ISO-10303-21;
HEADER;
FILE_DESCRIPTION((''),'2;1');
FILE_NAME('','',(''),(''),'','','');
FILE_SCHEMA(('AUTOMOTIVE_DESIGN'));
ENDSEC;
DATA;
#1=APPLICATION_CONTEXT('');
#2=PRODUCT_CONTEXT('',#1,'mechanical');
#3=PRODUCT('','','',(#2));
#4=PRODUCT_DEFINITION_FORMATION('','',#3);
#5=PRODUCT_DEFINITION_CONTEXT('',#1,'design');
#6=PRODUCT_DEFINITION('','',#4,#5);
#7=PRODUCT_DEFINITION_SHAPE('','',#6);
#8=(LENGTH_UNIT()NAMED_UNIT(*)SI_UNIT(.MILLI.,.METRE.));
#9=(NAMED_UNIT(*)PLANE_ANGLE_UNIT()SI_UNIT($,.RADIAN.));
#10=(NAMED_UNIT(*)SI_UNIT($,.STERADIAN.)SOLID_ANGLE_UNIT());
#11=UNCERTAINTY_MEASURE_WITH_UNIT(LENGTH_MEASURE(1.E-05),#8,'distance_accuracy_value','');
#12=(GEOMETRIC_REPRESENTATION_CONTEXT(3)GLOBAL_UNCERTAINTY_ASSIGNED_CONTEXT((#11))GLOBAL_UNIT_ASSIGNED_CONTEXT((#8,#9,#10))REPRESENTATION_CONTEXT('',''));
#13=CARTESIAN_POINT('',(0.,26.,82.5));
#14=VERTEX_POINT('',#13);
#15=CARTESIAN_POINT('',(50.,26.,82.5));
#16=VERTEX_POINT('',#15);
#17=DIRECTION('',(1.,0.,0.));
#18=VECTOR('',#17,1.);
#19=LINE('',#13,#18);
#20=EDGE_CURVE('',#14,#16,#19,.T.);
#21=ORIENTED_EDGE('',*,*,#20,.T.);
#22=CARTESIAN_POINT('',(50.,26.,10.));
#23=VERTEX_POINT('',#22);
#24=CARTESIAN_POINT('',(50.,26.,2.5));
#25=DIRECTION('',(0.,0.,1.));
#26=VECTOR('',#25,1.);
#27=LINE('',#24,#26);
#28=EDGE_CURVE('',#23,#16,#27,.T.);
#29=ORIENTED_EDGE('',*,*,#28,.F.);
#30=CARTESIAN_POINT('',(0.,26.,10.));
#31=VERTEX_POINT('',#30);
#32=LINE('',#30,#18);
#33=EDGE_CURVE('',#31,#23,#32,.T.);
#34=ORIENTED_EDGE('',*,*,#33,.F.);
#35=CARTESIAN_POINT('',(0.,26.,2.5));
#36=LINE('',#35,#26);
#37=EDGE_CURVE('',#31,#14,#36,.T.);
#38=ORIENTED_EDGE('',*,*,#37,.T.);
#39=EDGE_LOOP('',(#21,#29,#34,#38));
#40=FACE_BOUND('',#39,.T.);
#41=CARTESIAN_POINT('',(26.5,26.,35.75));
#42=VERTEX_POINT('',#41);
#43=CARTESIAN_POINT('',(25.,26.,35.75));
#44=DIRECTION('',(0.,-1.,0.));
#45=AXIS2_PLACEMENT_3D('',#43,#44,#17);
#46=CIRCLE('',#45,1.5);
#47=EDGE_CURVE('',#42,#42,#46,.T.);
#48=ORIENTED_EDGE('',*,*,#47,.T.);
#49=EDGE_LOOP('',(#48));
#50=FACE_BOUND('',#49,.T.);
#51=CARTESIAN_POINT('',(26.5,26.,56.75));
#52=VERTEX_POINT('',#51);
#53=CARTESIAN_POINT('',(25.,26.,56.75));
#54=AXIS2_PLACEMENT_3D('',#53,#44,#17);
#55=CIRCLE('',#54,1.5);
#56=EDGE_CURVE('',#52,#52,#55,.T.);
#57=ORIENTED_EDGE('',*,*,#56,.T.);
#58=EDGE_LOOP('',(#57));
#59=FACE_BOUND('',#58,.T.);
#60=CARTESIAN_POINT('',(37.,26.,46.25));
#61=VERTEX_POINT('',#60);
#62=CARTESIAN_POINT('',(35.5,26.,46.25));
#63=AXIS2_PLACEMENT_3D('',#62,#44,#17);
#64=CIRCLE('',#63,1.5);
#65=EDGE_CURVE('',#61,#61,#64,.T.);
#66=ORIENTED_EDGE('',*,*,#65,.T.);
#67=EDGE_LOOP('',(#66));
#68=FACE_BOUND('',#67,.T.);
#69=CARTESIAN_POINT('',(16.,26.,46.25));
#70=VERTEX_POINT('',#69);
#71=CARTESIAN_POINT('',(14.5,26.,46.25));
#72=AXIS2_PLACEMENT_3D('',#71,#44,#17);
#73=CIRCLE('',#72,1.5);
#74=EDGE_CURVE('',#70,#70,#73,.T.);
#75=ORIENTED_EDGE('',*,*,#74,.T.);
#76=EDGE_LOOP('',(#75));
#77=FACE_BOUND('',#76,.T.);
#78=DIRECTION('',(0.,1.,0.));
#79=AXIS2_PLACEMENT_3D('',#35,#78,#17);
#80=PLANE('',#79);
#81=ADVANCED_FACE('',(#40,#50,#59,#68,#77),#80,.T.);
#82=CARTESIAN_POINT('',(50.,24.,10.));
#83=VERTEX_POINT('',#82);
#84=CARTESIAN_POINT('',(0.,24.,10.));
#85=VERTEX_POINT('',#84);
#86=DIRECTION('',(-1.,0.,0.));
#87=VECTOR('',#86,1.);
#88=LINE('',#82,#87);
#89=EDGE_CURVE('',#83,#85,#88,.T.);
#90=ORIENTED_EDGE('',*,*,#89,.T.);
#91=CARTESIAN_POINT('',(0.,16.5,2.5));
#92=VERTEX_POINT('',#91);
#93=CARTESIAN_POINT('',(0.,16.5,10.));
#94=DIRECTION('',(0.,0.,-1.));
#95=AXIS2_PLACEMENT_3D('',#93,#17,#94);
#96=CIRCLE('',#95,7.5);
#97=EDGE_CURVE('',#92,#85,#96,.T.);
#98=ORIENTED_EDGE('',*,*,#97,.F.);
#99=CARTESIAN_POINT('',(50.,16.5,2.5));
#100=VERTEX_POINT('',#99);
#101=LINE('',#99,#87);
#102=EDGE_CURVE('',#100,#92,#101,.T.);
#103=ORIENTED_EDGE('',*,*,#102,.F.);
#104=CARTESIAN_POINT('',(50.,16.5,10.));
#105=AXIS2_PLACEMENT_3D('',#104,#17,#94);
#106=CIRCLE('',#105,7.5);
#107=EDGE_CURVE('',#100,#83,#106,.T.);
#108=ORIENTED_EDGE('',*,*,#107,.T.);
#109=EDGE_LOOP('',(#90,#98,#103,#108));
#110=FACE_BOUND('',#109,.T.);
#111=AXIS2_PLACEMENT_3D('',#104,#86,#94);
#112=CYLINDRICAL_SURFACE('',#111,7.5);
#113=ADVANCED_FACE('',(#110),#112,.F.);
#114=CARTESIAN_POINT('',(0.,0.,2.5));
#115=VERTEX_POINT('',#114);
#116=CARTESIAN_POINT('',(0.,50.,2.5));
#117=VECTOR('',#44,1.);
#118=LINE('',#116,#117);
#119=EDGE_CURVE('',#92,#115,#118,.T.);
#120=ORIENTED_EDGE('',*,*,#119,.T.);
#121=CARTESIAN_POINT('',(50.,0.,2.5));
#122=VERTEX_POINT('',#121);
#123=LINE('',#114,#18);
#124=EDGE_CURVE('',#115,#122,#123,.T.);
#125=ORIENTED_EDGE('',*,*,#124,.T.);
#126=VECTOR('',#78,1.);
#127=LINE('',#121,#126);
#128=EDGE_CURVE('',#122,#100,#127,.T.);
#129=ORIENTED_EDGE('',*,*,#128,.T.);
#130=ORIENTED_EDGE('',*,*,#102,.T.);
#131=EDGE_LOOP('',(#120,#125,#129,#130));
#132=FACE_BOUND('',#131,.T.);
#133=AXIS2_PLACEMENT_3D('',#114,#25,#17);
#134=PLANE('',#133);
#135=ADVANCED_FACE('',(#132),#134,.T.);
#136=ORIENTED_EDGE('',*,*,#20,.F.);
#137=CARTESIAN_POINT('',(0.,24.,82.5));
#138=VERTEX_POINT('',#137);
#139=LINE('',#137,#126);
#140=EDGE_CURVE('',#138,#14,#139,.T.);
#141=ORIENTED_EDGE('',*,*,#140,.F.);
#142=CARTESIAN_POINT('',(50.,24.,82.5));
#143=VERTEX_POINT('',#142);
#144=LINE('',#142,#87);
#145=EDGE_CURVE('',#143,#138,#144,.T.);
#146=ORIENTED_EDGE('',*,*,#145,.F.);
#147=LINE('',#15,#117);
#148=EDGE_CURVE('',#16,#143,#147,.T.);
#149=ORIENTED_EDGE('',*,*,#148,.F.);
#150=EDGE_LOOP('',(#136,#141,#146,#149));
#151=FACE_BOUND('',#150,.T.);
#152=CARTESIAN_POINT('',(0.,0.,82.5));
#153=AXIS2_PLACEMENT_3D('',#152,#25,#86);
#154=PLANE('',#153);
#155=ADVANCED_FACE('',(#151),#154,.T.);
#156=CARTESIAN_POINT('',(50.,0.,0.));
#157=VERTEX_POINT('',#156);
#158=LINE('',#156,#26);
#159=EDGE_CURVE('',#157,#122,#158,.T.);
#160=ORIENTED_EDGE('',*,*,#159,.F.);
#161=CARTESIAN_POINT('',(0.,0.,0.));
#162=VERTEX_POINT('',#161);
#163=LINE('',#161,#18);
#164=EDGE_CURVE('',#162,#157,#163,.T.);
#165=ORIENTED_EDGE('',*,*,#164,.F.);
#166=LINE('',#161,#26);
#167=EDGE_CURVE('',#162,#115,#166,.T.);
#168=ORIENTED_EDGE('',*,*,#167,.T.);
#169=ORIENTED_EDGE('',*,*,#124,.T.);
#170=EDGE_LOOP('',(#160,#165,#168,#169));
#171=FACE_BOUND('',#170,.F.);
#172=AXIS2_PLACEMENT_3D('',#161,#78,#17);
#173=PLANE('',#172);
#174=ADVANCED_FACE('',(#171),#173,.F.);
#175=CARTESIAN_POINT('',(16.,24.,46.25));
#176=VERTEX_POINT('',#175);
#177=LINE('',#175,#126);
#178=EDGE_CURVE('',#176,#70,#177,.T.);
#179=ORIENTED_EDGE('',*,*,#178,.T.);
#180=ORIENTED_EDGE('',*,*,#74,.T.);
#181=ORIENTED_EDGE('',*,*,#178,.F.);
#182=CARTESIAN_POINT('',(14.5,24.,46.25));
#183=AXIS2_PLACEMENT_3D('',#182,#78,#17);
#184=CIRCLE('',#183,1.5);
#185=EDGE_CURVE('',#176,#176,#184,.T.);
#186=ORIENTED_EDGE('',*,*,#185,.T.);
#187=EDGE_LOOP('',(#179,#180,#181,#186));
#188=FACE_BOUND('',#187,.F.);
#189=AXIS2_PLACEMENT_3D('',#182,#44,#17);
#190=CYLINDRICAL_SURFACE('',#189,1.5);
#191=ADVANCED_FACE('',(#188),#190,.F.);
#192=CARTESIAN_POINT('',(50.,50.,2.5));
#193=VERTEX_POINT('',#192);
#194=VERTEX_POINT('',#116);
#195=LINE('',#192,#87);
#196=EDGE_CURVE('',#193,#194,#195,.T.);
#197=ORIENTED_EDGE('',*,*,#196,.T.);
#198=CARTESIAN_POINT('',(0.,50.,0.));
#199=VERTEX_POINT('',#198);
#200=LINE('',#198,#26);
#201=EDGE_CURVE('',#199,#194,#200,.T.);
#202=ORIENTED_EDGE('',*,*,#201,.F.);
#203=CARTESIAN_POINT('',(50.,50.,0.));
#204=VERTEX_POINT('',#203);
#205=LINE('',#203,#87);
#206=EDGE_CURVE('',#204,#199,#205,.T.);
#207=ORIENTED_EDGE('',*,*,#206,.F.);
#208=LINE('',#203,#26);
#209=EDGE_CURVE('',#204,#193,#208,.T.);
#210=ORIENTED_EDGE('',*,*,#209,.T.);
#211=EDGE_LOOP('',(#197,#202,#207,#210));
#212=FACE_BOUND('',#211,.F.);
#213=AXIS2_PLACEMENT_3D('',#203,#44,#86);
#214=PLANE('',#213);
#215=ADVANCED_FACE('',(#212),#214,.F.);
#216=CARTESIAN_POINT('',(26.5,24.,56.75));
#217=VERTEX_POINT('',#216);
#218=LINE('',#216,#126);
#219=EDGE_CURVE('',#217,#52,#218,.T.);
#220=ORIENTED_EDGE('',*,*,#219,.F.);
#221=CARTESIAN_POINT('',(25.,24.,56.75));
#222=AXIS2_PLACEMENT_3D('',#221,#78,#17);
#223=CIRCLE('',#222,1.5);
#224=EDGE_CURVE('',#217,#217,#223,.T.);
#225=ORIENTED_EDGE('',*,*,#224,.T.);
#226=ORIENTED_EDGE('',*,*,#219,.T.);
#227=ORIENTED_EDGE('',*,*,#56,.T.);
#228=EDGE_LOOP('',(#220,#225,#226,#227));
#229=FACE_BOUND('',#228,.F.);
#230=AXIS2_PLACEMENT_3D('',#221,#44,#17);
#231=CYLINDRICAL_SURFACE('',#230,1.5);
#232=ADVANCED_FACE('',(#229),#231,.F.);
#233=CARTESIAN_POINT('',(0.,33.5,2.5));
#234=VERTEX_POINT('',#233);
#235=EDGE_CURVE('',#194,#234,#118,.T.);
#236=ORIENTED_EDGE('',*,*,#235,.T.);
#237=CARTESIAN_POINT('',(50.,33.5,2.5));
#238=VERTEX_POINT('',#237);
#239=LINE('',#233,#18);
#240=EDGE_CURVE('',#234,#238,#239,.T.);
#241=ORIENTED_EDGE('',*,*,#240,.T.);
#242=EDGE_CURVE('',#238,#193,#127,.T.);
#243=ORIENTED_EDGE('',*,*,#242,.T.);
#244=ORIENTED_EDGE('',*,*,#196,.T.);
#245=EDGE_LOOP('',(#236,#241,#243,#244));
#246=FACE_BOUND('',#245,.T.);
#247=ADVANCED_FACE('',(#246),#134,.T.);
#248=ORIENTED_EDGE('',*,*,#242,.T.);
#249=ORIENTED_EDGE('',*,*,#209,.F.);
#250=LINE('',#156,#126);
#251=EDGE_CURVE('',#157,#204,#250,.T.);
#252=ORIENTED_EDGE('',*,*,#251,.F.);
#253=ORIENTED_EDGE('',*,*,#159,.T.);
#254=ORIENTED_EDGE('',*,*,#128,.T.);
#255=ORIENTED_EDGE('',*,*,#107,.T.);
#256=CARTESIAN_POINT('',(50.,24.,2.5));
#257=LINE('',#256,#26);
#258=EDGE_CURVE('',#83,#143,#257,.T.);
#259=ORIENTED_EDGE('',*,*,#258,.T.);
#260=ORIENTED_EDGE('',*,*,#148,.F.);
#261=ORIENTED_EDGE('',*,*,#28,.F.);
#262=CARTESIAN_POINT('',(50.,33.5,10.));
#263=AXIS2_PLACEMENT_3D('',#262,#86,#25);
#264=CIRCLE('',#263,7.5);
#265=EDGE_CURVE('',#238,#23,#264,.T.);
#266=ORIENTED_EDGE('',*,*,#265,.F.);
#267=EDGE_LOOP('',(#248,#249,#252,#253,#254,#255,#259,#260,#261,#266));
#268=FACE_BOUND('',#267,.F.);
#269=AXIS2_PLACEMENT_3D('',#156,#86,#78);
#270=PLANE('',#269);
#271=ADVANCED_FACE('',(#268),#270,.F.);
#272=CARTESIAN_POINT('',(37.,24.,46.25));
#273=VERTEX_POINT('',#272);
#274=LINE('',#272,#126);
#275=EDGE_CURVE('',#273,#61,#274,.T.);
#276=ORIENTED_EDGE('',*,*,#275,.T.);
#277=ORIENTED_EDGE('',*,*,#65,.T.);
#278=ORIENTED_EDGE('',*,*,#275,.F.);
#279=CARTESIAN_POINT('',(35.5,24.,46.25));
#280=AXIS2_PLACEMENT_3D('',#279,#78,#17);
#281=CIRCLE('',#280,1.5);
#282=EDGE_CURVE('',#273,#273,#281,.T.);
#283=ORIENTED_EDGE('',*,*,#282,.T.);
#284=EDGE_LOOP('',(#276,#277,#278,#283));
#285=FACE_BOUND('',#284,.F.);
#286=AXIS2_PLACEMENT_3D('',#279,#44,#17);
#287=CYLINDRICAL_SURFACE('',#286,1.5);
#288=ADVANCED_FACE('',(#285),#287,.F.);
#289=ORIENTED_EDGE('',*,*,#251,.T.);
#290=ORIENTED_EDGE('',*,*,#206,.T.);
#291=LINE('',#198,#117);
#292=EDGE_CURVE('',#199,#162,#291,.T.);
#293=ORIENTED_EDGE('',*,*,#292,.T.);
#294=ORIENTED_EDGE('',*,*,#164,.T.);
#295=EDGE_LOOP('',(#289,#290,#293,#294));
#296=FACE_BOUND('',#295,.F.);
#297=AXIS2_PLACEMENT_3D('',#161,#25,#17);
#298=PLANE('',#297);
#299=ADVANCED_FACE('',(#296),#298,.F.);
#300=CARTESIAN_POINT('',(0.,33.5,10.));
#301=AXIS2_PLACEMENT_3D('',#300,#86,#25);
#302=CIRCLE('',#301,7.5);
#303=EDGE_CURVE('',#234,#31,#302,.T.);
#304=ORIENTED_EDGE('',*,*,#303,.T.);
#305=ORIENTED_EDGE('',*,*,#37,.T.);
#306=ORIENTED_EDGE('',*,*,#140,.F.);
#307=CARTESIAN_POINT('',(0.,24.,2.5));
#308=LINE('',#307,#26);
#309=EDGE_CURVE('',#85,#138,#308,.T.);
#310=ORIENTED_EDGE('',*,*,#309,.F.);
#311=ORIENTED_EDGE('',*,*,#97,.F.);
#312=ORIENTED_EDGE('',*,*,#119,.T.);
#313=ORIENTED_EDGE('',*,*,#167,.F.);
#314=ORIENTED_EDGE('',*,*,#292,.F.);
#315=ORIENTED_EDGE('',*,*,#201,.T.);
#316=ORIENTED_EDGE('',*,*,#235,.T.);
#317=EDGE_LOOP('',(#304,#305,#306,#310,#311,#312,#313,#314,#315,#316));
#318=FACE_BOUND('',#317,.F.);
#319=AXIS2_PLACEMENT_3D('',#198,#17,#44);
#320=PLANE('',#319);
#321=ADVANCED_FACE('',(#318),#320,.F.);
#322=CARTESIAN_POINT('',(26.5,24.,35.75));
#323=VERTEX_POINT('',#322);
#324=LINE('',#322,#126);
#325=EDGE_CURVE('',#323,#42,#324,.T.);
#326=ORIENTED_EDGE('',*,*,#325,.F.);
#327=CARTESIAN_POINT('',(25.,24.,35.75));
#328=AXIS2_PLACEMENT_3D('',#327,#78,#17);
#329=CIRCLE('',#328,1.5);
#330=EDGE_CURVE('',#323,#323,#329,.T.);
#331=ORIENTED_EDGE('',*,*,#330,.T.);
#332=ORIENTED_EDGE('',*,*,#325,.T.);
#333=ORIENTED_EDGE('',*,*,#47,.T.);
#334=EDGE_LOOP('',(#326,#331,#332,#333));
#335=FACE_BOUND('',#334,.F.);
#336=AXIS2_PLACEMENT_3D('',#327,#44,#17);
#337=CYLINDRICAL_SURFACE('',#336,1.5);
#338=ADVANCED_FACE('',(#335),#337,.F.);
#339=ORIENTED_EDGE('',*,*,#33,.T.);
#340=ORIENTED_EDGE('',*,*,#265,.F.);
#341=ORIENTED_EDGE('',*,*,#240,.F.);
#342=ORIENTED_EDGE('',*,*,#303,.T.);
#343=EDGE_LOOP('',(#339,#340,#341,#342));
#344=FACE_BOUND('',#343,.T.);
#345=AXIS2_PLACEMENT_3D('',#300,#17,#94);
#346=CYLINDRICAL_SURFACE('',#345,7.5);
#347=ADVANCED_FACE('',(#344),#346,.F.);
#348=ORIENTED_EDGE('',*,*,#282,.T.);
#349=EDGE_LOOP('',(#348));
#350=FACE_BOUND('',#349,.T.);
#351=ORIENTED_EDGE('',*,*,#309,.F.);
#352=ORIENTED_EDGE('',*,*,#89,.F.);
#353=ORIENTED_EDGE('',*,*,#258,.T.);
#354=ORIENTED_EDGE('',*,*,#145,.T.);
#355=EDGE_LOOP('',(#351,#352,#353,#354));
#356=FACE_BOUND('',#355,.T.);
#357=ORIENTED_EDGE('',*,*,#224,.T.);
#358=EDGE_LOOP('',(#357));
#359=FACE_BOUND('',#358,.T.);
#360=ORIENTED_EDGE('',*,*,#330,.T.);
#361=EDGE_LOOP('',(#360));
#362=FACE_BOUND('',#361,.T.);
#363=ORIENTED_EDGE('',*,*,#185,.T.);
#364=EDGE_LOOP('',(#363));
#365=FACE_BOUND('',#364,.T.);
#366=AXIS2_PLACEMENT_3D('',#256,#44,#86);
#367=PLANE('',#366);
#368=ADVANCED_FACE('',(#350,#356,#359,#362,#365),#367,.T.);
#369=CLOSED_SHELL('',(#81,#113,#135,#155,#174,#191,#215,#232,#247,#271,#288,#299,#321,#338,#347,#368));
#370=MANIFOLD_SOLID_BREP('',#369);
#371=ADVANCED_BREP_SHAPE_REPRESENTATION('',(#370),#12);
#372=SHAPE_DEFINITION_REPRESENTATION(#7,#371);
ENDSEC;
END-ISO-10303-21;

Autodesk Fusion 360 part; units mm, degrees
sketch "Sketch1" plane through (0, 0, 0) normal (0, 0, 1) x (1, 0, 0)
  line L0 (0, 0) -> (50, 0)
  line L1 (50, 0) -> (50, 50)
  line L2 (50, 50) -> (0, 50)
  line L3 (0, 50) -> (0, 0)
  dimension "d3" = 50
  dimension "d4" = 50
extrude "Extrude1" add sketch "Sketch1" along normal blind 2.5
sketch "Sketch2" plane through (0, 0, 2.5) normal (0, 0, 1) x (-1, 0, 0)
  line L0 (0, -50) -> (0, 0)
  line L1 (0, 0) -> (-50, 0)
  line L2 (-50, 0) -> (-50, -50)
  line L3 (-50, -50) -> (0, -50)
  line L4 (0, -25) -> (-50, -25)
  line L5 (0, -26) -> (-50, -26)
  line L6 (-50, -26) -> (-50, -24)
  line L7 (-50, -24) -> (0, -24)
  line L8 (0, -24) -> (0, -26)
  dimension "d5" = 1
  dimension "d6" = 1
extrude "Extrude2" add sketch "Sketch2" along normal blind 80 contours L0 L2 L4 L5 L6 L8 | L0 L2 L4 L6 L7 L8
fillet "Fillet1" radius 7.5 2 edges at (25, 24, 2.5) (25, 26, 2.5)
sketch "Sketch3" plane through (0, 24, 0) normal (0, -1, 0) x (1, 0, 0)
  line L0 (0, 10) -> (50, 10)
  line L1 (50, 10) -> (50, 82.5)
  line L2 (50, 82.5) -> (0, 82.5)
  line L3 (0, 82.5) -> (0, 10)
  line L4 (0, 46.25) -> (50, 46.25)
  line L5 (25, 82.5) -> (25, 0)
  circle A0 centre (25, 56.75) radius 1.5
  circle A1 centre (14.5, 46.25) radius 1.5
  circle A2 centre (35.5, 46.25) radius 1.5
  circle A3 centre (25, 35.75) radius 1.5
  dimension "d11" = 3
  dimension "d12" = 10.5
  dimension "d13" = 3
  dimension "d14" = 10.5
extrude "Extrude3" cut sketch "Sketch3" against normal blind 3 contours L5 A3 | L5 A3 | L4 A1 | L4 A1 | L4 A2 | L4 A2 | L5 A0 | L5 A0
